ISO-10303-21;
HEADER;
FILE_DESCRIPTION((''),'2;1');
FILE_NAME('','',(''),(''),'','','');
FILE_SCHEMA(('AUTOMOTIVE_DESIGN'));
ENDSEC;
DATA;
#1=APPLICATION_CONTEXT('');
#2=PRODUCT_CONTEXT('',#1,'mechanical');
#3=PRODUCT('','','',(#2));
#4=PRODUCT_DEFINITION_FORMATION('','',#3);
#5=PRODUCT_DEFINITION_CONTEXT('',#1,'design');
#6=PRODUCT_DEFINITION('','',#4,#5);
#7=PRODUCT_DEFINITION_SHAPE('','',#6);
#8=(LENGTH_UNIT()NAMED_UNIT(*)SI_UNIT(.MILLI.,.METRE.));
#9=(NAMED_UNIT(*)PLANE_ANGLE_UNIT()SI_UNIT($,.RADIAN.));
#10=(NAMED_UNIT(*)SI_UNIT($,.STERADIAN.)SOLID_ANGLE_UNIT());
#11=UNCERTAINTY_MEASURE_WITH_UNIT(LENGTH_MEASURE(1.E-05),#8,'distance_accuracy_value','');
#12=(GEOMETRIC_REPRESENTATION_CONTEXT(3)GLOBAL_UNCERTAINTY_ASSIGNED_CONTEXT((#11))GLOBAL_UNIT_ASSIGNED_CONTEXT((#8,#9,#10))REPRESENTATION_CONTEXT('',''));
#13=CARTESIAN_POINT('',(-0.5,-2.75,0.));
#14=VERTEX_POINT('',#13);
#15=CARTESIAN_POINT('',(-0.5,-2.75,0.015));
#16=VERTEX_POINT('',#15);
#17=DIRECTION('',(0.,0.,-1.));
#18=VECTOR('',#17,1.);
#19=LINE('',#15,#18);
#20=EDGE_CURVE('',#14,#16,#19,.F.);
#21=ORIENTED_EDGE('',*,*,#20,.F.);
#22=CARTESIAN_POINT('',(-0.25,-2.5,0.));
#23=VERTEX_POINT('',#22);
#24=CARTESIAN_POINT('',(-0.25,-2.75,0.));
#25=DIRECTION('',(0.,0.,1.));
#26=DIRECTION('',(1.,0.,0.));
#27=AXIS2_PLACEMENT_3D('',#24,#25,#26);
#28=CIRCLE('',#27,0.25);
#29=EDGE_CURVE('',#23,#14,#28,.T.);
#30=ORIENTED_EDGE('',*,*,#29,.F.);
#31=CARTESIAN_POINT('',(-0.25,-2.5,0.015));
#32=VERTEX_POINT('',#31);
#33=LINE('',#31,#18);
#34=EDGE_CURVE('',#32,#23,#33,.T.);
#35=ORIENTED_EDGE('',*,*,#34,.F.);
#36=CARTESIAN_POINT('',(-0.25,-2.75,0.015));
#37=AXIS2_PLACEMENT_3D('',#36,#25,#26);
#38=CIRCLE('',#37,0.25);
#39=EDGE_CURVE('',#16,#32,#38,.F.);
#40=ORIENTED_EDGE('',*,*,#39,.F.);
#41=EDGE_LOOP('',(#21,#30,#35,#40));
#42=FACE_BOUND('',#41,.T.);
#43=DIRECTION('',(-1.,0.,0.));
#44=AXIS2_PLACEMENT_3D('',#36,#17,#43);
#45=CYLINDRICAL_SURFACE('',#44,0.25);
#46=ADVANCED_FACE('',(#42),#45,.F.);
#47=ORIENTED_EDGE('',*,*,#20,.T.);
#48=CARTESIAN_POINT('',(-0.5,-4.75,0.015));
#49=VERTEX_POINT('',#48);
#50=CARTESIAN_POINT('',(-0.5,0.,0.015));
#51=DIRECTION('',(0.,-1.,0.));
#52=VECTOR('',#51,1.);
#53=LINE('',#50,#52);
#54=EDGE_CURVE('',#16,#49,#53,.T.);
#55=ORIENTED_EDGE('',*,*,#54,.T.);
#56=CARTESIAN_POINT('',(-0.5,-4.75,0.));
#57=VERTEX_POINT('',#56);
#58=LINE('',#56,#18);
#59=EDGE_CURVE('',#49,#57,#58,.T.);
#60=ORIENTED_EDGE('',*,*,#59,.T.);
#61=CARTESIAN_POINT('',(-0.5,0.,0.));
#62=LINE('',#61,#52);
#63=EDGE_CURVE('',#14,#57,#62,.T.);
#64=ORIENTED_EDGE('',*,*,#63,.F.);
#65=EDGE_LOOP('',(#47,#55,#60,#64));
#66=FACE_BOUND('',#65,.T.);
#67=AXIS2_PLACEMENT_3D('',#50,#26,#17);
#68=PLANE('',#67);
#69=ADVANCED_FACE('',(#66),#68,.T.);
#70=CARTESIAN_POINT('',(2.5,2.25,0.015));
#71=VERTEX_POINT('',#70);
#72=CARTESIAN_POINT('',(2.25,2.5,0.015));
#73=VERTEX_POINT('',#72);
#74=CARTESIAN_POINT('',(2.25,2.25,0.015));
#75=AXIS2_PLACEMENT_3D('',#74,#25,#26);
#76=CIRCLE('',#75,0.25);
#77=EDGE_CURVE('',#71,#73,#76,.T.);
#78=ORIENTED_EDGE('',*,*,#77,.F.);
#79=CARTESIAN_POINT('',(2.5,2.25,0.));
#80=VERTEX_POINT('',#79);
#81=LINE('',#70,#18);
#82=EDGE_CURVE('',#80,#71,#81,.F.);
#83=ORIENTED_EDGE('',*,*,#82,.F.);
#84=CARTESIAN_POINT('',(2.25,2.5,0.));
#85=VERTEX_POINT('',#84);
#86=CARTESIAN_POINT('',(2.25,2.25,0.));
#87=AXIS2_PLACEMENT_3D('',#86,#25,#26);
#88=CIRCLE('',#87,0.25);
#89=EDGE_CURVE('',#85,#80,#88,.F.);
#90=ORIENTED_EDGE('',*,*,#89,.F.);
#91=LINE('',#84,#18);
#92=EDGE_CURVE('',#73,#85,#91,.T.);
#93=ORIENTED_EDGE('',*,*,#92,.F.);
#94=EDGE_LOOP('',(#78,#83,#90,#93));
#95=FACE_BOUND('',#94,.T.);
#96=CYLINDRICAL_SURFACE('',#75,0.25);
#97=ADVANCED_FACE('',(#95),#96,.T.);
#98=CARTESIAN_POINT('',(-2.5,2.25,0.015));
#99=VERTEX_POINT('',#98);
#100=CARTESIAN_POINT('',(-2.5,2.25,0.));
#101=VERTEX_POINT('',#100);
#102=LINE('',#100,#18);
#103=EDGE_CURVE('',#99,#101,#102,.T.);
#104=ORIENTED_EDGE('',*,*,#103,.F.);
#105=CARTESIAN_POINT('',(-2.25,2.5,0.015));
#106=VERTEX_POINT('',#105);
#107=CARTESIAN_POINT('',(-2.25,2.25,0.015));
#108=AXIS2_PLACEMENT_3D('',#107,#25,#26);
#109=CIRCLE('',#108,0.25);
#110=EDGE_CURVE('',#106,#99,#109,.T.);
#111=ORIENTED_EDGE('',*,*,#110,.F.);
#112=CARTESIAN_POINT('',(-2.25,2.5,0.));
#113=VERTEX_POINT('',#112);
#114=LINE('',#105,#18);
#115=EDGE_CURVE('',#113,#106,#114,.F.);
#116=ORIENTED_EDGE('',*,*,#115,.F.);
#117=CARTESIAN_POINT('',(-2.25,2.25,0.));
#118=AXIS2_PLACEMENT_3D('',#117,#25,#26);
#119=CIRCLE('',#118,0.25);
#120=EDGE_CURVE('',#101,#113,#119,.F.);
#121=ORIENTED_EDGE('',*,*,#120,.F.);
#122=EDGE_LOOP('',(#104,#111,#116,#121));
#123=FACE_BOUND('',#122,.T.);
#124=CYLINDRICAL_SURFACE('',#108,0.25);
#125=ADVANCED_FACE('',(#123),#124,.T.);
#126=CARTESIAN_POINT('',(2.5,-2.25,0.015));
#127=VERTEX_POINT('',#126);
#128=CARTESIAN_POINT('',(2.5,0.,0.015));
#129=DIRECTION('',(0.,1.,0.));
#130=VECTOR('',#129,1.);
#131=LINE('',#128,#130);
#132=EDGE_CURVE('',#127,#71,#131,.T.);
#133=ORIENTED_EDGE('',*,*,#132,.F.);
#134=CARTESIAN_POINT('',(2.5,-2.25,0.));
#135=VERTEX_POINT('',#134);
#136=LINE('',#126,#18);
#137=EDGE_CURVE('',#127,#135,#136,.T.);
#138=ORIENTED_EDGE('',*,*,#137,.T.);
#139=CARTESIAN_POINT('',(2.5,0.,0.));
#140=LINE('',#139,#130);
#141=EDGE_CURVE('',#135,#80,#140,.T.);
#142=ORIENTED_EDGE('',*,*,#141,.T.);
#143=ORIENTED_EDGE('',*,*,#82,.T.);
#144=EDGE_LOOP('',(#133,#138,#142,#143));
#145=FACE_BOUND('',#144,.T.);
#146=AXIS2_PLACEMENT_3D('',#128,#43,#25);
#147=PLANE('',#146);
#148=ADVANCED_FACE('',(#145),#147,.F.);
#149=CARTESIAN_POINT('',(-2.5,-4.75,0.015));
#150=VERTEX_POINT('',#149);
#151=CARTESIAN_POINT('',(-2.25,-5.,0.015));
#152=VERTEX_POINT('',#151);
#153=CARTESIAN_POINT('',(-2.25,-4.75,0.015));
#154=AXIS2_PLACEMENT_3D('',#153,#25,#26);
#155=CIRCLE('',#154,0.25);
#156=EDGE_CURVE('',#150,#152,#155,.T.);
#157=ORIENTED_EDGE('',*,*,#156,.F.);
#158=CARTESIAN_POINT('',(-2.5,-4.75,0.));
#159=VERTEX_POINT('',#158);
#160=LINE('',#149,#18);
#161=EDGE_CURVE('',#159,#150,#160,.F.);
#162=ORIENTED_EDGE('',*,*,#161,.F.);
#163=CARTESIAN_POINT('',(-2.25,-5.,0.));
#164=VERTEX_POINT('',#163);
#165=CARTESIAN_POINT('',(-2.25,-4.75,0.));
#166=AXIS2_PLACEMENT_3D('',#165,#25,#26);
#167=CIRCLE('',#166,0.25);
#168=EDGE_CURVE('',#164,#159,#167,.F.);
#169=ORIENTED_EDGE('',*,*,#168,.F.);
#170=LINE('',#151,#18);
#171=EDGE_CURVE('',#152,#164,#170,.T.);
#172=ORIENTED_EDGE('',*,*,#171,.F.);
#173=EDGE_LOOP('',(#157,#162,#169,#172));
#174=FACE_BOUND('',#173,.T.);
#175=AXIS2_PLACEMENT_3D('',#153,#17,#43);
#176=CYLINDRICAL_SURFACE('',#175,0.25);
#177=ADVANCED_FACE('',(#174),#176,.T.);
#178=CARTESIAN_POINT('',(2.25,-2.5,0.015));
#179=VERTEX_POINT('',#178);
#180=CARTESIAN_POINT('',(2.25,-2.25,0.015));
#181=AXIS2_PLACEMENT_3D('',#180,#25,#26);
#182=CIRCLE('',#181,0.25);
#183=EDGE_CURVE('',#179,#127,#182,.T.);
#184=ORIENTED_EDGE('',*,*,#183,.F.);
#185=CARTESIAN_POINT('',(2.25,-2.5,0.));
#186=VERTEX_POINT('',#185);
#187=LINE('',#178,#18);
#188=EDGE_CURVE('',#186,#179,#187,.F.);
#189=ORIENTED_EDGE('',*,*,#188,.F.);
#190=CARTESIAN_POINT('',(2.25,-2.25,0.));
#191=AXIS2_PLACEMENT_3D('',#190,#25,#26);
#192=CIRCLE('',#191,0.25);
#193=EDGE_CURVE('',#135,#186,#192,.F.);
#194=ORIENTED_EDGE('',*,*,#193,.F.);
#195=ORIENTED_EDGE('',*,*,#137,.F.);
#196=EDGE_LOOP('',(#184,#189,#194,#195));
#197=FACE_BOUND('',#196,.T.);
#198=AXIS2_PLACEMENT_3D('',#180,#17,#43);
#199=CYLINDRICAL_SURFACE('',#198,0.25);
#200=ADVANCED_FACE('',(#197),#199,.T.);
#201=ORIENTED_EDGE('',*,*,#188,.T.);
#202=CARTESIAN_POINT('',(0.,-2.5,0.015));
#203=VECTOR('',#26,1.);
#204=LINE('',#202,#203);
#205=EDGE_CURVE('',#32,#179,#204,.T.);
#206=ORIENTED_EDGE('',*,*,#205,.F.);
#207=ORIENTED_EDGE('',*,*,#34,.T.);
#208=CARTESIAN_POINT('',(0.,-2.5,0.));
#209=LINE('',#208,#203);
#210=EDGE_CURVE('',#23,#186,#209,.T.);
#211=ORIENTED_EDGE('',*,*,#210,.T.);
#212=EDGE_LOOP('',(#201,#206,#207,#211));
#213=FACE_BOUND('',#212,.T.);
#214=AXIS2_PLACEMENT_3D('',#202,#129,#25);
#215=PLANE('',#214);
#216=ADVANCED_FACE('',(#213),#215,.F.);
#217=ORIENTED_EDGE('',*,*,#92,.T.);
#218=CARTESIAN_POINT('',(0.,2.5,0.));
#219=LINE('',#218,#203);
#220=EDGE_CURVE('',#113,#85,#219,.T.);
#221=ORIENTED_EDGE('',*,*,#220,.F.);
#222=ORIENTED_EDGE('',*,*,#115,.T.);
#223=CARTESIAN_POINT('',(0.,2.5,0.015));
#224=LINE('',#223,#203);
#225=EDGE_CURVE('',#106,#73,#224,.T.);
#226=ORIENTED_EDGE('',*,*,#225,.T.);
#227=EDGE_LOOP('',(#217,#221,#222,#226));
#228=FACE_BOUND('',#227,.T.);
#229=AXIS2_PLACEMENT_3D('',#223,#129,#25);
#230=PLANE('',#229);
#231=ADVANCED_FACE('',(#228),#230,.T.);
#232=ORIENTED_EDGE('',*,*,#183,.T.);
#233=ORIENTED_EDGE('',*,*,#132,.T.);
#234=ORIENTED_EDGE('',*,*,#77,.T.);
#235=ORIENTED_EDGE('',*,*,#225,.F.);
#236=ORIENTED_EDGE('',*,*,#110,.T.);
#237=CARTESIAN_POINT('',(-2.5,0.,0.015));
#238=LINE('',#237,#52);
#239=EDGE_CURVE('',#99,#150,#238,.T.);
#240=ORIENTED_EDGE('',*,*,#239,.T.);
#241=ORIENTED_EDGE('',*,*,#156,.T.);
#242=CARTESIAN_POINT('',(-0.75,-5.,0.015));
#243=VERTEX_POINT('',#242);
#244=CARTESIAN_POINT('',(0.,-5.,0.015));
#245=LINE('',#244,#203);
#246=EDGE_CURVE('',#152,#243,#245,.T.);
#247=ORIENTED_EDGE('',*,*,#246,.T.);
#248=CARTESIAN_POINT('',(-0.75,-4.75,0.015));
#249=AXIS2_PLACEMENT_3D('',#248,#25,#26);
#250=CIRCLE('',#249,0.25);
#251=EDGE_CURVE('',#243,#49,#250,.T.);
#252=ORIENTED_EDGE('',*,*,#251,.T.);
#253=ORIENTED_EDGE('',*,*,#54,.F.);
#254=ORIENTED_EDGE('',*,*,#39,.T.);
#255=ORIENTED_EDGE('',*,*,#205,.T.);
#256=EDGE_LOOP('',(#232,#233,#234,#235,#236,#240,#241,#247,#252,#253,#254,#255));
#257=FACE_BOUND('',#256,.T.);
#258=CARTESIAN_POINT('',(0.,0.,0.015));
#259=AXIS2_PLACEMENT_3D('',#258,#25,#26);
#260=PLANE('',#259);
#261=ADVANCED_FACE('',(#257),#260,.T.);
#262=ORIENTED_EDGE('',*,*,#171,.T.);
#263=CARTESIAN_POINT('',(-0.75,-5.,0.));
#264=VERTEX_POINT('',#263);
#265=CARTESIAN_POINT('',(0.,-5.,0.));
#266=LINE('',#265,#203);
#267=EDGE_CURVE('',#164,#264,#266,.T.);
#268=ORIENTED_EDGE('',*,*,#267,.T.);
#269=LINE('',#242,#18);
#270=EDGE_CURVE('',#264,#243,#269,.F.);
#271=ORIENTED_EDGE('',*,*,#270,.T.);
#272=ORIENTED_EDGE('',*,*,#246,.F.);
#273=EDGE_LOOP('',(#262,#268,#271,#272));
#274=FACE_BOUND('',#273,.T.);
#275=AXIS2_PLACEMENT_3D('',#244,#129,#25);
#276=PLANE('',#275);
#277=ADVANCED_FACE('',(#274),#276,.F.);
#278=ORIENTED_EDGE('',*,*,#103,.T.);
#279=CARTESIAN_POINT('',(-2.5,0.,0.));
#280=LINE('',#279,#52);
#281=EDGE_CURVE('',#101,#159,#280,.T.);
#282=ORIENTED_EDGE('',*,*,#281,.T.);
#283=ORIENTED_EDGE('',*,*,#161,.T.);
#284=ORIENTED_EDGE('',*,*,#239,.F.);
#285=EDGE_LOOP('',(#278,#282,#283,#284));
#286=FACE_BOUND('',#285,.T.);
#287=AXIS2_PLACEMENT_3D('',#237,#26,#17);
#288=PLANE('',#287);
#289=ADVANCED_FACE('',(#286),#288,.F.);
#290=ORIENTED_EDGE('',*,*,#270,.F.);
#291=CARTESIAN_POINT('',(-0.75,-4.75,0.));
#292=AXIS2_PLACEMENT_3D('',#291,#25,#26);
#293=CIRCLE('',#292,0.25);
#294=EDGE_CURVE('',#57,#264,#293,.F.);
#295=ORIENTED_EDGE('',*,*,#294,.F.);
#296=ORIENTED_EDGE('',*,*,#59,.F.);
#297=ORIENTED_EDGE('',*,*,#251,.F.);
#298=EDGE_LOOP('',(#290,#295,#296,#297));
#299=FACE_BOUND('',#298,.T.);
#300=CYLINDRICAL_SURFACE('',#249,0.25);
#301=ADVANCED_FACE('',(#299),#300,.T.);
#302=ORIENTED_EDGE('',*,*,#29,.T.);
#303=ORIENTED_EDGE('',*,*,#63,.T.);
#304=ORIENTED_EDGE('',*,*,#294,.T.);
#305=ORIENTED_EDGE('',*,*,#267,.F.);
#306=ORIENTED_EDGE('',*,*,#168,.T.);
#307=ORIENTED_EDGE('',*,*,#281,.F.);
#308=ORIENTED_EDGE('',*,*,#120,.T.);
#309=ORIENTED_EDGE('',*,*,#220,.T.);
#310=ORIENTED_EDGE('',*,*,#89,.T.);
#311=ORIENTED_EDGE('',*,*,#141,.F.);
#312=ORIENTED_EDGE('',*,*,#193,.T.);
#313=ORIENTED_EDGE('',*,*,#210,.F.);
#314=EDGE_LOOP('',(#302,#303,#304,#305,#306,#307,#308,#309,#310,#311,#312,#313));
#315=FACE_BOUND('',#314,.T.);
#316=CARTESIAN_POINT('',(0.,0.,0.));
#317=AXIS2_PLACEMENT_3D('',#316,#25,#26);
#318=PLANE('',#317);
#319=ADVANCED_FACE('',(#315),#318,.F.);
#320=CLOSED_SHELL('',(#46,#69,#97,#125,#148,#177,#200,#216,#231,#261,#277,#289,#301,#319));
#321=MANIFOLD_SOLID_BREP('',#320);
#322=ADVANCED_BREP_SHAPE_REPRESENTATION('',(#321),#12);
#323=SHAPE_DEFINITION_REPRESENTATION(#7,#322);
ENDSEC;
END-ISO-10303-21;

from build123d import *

# Parameters (mm, degrees)
SKETCH1_W           = 2
SKETCH1_H           = 2.5
SKETCH1_W_2         = 5
SKETCH1_H_2         = 5
BOSS_EXTRUDE1_DEPTH = 0.015
FILLET1_R           = 0.25


with BuildPart() as part:
    # Sketch1 → Boss-Extrude1 (new body)
    with BuildSketch(Plane.XY):
        with Locations((-1.5, -3.75)):
            Rectangle(SKETCH1_W, SKETCH1_H)
        Rectangle(SKETCH1_W_2, SKETCH1_H_2)
    extrude(amount=BOSS_EXTRUDE1_DEPTH)

    # Fillet1
    fillet1_edges = [part.edges().sort_by_distance(p)[0] for p in [
        (-0.5, -5, 0.0075),
        (-2.5, -5, 0.0075),
        (-2.5, 2.5, 0.0075),
        (2.5, 2.5, 0.0075),
        (2.5, -2.5, 0.0075),
        (-0.5, -2.5, 0.0075),
    ]]
    fillet(fillet1_edges, radius=FILLET1_R)


solid = part.part
